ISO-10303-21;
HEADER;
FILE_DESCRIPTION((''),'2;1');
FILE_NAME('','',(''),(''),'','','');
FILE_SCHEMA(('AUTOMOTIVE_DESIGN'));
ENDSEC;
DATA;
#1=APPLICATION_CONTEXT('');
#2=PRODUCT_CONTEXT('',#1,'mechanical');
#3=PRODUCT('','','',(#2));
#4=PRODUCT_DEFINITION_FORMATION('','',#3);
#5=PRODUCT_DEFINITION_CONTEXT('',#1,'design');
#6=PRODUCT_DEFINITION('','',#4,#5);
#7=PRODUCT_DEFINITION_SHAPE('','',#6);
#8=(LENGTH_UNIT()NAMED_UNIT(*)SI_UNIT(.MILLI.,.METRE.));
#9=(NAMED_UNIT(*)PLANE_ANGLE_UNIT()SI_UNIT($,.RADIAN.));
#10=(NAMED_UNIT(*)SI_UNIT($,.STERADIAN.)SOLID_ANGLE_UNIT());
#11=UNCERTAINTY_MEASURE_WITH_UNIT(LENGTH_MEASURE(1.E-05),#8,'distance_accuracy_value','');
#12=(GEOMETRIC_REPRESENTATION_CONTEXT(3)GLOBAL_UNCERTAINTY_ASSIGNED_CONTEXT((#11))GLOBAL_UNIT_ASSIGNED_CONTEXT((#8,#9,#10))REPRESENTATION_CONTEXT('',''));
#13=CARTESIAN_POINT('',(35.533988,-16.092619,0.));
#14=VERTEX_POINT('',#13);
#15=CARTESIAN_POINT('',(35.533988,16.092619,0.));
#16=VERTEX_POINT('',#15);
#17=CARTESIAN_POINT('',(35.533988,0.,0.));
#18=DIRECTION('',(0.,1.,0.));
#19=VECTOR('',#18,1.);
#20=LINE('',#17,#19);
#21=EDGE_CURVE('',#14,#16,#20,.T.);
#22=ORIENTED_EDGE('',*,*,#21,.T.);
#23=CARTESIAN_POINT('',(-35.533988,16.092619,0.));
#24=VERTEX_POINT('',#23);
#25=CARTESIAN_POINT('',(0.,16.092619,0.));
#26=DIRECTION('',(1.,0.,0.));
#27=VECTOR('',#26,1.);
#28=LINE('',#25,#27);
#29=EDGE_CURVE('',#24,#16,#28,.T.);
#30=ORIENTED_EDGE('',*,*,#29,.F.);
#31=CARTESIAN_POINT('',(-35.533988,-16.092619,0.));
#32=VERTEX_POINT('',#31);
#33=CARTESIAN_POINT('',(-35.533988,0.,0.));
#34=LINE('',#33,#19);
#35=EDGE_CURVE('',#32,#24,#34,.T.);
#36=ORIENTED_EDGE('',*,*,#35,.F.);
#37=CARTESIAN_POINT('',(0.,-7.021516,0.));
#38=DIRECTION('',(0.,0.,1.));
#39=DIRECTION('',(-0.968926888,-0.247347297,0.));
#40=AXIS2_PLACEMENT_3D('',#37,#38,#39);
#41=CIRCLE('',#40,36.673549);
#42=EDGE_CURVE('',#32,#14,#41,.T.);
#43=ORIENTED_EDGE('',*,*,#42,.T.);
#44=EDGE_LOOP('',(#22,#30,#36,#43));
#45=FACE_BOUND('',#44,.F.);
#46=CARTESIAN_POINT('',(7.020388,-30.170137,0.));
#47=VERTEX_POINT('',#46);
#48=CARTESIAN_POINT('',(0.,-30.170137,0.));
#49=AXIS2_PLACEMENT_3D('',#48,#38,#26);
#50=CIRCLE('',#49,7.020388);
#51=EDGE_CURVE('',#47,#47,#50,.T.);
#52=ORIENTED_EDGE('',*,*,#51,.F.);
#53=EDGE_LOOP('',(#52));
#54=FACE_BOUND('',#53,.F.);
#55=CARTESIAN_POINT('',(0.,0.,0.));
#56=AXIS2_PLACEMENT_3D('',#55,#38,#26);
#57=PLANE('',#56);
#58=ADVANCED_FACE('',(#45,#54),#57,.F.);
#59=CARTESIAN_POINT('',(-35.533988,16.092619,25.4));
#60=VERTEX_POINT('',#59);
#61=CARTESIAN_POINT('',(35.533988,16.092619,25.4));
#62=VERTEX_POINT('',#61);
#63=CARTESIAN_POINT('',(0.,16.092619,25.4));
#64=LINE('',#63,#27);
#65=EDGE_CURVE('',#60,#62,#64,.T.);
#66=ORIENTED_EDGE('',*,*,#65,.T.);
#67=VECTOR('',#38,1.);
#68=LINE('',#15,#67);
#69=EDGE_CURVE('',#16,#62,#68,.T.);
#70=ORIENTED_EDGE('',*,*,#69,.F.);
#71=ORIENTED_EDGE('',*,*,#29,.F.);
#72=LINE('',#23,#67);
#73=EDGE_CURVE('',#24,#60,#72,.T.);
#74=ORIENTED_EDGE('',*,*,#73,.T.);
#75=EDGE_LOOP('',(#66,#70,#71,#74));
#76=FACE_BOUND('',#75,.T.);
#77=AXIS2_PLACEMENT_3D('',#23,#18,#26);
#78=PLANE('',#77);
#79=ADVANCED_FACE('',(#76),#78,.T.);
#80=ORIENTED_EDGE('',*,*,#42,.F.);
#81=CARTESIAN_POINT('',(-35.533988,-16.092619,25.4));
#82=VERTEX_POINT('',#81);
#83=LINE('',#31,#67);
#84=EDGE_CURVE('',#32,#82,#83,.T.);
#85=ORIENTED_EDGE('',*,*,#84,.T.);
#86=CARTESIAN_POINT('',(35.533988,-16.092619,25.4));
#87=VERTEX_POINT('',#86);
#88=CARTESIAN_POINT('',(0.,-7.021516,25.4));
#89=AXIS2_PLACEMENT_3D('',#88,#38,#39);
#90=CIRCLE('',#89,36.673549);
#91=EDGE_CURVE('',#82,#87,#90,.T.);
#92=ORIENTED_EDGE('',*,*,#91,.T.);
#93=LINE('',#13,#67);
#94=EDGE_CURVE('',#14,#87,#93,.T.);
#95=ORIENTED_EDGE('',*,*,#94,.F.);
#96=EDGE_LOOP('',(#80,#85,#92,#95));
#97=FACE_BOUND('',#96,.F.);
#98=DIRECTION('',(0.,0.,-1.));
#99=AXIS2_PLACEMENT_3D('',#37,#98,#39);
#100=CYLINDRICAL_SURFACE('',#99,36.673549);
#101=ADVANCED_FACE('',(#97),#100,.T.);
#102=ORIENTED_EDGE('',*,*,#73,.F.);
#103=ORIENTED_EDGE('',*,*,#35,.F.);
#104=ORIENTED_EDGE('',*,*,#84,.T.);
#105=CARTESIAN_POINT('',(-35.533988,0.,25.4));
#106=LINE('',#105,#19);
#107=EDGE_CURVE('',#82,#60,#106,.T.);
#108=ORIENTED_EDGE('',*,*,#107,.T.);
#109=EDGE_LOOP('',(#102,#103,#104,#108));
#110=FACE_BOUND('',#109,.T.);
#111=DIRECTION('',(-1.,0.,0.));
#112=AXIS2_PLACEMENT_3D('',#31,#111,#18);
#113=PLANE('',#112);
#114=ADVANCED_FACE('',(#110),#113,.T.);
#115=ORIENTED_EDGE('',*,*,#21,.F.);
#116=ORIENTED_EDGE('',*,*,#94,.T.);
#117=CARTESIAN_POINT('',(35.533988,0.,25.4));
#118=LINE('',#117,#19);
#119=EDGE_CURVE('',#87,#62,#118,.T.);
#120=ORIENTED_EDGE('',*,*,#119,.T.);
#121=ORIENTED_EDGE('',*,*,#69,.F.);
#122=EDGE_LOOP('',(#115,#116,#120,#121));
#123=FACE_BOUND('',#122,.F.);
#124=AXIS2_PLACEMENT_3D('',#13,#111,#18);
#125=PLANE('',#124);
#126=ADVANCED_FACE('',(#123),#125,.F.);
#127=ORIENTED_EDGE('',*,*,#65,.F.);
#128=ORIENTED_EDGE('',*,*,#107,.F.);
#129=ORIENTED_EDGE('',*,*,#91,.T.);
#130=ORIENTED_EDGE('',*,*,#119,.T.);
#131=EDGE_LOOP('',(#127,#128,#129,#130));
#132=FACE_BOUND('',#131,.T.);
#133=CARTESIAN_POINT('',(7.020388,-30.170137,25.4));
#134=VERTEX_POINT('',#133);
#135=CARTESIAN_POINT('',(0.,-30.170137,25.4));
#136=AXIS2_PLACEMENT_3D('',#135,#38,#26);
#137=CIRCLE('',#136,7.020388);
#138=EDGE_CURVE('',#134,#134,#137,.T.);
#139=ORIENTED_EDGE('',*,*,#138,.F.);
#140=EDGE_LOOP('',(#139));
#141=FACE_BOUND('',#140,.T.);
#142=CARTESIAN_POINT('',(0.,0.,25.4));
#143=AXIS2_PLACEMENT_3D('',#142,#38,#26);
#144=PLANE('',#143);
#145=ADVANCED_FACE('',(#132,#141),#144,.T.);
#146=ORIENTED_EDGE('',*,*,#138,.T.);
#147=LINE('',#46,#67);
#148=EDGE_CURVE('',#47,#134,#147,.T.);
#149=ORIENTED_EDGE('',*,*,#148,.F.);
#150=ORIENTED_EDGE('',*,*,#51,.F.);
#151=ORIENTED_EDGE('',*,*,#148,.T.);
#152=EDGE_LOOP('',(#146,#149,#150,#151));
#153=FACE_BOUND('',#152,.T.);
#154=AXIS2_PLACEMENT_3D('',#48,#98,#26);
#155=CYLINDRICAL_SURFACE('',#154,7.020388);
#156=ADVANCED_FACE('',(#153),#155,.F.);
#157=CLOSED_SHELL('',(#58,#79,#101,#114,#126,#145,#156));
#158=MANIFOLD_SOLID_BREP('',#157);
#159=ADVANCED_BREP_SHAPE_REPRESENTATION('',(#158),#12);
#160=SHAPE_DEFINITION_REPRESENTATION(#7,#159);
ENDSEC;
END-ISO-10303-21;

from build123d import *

# Parameters (mm, degrees)
F0_W     = 71.067976
F0_H     = 32.185238
F0_R     = 7.020388
F1_DEPTH = 25.4


with BuildPart() as f1:
    # F0 (on Top) → F1 (new body)
    with BuildSketch(Plane.XY):
        Rectangle(F0_W, F0_H)
        with BuildLine():
            ThreePointArc((-35.533988, -16.092619), (0, -43.695065), (35.533988, -16.092619))
            Line((35.533988, -16.092619), (-35.533988, -16.092619))
        make_face()
        with Locations((0, -30.170137)):
            Circle(F0_R, mode=Mode.SUBTRACT)
    extrude(amount=F1_DEPTH)


solid = f1.part
